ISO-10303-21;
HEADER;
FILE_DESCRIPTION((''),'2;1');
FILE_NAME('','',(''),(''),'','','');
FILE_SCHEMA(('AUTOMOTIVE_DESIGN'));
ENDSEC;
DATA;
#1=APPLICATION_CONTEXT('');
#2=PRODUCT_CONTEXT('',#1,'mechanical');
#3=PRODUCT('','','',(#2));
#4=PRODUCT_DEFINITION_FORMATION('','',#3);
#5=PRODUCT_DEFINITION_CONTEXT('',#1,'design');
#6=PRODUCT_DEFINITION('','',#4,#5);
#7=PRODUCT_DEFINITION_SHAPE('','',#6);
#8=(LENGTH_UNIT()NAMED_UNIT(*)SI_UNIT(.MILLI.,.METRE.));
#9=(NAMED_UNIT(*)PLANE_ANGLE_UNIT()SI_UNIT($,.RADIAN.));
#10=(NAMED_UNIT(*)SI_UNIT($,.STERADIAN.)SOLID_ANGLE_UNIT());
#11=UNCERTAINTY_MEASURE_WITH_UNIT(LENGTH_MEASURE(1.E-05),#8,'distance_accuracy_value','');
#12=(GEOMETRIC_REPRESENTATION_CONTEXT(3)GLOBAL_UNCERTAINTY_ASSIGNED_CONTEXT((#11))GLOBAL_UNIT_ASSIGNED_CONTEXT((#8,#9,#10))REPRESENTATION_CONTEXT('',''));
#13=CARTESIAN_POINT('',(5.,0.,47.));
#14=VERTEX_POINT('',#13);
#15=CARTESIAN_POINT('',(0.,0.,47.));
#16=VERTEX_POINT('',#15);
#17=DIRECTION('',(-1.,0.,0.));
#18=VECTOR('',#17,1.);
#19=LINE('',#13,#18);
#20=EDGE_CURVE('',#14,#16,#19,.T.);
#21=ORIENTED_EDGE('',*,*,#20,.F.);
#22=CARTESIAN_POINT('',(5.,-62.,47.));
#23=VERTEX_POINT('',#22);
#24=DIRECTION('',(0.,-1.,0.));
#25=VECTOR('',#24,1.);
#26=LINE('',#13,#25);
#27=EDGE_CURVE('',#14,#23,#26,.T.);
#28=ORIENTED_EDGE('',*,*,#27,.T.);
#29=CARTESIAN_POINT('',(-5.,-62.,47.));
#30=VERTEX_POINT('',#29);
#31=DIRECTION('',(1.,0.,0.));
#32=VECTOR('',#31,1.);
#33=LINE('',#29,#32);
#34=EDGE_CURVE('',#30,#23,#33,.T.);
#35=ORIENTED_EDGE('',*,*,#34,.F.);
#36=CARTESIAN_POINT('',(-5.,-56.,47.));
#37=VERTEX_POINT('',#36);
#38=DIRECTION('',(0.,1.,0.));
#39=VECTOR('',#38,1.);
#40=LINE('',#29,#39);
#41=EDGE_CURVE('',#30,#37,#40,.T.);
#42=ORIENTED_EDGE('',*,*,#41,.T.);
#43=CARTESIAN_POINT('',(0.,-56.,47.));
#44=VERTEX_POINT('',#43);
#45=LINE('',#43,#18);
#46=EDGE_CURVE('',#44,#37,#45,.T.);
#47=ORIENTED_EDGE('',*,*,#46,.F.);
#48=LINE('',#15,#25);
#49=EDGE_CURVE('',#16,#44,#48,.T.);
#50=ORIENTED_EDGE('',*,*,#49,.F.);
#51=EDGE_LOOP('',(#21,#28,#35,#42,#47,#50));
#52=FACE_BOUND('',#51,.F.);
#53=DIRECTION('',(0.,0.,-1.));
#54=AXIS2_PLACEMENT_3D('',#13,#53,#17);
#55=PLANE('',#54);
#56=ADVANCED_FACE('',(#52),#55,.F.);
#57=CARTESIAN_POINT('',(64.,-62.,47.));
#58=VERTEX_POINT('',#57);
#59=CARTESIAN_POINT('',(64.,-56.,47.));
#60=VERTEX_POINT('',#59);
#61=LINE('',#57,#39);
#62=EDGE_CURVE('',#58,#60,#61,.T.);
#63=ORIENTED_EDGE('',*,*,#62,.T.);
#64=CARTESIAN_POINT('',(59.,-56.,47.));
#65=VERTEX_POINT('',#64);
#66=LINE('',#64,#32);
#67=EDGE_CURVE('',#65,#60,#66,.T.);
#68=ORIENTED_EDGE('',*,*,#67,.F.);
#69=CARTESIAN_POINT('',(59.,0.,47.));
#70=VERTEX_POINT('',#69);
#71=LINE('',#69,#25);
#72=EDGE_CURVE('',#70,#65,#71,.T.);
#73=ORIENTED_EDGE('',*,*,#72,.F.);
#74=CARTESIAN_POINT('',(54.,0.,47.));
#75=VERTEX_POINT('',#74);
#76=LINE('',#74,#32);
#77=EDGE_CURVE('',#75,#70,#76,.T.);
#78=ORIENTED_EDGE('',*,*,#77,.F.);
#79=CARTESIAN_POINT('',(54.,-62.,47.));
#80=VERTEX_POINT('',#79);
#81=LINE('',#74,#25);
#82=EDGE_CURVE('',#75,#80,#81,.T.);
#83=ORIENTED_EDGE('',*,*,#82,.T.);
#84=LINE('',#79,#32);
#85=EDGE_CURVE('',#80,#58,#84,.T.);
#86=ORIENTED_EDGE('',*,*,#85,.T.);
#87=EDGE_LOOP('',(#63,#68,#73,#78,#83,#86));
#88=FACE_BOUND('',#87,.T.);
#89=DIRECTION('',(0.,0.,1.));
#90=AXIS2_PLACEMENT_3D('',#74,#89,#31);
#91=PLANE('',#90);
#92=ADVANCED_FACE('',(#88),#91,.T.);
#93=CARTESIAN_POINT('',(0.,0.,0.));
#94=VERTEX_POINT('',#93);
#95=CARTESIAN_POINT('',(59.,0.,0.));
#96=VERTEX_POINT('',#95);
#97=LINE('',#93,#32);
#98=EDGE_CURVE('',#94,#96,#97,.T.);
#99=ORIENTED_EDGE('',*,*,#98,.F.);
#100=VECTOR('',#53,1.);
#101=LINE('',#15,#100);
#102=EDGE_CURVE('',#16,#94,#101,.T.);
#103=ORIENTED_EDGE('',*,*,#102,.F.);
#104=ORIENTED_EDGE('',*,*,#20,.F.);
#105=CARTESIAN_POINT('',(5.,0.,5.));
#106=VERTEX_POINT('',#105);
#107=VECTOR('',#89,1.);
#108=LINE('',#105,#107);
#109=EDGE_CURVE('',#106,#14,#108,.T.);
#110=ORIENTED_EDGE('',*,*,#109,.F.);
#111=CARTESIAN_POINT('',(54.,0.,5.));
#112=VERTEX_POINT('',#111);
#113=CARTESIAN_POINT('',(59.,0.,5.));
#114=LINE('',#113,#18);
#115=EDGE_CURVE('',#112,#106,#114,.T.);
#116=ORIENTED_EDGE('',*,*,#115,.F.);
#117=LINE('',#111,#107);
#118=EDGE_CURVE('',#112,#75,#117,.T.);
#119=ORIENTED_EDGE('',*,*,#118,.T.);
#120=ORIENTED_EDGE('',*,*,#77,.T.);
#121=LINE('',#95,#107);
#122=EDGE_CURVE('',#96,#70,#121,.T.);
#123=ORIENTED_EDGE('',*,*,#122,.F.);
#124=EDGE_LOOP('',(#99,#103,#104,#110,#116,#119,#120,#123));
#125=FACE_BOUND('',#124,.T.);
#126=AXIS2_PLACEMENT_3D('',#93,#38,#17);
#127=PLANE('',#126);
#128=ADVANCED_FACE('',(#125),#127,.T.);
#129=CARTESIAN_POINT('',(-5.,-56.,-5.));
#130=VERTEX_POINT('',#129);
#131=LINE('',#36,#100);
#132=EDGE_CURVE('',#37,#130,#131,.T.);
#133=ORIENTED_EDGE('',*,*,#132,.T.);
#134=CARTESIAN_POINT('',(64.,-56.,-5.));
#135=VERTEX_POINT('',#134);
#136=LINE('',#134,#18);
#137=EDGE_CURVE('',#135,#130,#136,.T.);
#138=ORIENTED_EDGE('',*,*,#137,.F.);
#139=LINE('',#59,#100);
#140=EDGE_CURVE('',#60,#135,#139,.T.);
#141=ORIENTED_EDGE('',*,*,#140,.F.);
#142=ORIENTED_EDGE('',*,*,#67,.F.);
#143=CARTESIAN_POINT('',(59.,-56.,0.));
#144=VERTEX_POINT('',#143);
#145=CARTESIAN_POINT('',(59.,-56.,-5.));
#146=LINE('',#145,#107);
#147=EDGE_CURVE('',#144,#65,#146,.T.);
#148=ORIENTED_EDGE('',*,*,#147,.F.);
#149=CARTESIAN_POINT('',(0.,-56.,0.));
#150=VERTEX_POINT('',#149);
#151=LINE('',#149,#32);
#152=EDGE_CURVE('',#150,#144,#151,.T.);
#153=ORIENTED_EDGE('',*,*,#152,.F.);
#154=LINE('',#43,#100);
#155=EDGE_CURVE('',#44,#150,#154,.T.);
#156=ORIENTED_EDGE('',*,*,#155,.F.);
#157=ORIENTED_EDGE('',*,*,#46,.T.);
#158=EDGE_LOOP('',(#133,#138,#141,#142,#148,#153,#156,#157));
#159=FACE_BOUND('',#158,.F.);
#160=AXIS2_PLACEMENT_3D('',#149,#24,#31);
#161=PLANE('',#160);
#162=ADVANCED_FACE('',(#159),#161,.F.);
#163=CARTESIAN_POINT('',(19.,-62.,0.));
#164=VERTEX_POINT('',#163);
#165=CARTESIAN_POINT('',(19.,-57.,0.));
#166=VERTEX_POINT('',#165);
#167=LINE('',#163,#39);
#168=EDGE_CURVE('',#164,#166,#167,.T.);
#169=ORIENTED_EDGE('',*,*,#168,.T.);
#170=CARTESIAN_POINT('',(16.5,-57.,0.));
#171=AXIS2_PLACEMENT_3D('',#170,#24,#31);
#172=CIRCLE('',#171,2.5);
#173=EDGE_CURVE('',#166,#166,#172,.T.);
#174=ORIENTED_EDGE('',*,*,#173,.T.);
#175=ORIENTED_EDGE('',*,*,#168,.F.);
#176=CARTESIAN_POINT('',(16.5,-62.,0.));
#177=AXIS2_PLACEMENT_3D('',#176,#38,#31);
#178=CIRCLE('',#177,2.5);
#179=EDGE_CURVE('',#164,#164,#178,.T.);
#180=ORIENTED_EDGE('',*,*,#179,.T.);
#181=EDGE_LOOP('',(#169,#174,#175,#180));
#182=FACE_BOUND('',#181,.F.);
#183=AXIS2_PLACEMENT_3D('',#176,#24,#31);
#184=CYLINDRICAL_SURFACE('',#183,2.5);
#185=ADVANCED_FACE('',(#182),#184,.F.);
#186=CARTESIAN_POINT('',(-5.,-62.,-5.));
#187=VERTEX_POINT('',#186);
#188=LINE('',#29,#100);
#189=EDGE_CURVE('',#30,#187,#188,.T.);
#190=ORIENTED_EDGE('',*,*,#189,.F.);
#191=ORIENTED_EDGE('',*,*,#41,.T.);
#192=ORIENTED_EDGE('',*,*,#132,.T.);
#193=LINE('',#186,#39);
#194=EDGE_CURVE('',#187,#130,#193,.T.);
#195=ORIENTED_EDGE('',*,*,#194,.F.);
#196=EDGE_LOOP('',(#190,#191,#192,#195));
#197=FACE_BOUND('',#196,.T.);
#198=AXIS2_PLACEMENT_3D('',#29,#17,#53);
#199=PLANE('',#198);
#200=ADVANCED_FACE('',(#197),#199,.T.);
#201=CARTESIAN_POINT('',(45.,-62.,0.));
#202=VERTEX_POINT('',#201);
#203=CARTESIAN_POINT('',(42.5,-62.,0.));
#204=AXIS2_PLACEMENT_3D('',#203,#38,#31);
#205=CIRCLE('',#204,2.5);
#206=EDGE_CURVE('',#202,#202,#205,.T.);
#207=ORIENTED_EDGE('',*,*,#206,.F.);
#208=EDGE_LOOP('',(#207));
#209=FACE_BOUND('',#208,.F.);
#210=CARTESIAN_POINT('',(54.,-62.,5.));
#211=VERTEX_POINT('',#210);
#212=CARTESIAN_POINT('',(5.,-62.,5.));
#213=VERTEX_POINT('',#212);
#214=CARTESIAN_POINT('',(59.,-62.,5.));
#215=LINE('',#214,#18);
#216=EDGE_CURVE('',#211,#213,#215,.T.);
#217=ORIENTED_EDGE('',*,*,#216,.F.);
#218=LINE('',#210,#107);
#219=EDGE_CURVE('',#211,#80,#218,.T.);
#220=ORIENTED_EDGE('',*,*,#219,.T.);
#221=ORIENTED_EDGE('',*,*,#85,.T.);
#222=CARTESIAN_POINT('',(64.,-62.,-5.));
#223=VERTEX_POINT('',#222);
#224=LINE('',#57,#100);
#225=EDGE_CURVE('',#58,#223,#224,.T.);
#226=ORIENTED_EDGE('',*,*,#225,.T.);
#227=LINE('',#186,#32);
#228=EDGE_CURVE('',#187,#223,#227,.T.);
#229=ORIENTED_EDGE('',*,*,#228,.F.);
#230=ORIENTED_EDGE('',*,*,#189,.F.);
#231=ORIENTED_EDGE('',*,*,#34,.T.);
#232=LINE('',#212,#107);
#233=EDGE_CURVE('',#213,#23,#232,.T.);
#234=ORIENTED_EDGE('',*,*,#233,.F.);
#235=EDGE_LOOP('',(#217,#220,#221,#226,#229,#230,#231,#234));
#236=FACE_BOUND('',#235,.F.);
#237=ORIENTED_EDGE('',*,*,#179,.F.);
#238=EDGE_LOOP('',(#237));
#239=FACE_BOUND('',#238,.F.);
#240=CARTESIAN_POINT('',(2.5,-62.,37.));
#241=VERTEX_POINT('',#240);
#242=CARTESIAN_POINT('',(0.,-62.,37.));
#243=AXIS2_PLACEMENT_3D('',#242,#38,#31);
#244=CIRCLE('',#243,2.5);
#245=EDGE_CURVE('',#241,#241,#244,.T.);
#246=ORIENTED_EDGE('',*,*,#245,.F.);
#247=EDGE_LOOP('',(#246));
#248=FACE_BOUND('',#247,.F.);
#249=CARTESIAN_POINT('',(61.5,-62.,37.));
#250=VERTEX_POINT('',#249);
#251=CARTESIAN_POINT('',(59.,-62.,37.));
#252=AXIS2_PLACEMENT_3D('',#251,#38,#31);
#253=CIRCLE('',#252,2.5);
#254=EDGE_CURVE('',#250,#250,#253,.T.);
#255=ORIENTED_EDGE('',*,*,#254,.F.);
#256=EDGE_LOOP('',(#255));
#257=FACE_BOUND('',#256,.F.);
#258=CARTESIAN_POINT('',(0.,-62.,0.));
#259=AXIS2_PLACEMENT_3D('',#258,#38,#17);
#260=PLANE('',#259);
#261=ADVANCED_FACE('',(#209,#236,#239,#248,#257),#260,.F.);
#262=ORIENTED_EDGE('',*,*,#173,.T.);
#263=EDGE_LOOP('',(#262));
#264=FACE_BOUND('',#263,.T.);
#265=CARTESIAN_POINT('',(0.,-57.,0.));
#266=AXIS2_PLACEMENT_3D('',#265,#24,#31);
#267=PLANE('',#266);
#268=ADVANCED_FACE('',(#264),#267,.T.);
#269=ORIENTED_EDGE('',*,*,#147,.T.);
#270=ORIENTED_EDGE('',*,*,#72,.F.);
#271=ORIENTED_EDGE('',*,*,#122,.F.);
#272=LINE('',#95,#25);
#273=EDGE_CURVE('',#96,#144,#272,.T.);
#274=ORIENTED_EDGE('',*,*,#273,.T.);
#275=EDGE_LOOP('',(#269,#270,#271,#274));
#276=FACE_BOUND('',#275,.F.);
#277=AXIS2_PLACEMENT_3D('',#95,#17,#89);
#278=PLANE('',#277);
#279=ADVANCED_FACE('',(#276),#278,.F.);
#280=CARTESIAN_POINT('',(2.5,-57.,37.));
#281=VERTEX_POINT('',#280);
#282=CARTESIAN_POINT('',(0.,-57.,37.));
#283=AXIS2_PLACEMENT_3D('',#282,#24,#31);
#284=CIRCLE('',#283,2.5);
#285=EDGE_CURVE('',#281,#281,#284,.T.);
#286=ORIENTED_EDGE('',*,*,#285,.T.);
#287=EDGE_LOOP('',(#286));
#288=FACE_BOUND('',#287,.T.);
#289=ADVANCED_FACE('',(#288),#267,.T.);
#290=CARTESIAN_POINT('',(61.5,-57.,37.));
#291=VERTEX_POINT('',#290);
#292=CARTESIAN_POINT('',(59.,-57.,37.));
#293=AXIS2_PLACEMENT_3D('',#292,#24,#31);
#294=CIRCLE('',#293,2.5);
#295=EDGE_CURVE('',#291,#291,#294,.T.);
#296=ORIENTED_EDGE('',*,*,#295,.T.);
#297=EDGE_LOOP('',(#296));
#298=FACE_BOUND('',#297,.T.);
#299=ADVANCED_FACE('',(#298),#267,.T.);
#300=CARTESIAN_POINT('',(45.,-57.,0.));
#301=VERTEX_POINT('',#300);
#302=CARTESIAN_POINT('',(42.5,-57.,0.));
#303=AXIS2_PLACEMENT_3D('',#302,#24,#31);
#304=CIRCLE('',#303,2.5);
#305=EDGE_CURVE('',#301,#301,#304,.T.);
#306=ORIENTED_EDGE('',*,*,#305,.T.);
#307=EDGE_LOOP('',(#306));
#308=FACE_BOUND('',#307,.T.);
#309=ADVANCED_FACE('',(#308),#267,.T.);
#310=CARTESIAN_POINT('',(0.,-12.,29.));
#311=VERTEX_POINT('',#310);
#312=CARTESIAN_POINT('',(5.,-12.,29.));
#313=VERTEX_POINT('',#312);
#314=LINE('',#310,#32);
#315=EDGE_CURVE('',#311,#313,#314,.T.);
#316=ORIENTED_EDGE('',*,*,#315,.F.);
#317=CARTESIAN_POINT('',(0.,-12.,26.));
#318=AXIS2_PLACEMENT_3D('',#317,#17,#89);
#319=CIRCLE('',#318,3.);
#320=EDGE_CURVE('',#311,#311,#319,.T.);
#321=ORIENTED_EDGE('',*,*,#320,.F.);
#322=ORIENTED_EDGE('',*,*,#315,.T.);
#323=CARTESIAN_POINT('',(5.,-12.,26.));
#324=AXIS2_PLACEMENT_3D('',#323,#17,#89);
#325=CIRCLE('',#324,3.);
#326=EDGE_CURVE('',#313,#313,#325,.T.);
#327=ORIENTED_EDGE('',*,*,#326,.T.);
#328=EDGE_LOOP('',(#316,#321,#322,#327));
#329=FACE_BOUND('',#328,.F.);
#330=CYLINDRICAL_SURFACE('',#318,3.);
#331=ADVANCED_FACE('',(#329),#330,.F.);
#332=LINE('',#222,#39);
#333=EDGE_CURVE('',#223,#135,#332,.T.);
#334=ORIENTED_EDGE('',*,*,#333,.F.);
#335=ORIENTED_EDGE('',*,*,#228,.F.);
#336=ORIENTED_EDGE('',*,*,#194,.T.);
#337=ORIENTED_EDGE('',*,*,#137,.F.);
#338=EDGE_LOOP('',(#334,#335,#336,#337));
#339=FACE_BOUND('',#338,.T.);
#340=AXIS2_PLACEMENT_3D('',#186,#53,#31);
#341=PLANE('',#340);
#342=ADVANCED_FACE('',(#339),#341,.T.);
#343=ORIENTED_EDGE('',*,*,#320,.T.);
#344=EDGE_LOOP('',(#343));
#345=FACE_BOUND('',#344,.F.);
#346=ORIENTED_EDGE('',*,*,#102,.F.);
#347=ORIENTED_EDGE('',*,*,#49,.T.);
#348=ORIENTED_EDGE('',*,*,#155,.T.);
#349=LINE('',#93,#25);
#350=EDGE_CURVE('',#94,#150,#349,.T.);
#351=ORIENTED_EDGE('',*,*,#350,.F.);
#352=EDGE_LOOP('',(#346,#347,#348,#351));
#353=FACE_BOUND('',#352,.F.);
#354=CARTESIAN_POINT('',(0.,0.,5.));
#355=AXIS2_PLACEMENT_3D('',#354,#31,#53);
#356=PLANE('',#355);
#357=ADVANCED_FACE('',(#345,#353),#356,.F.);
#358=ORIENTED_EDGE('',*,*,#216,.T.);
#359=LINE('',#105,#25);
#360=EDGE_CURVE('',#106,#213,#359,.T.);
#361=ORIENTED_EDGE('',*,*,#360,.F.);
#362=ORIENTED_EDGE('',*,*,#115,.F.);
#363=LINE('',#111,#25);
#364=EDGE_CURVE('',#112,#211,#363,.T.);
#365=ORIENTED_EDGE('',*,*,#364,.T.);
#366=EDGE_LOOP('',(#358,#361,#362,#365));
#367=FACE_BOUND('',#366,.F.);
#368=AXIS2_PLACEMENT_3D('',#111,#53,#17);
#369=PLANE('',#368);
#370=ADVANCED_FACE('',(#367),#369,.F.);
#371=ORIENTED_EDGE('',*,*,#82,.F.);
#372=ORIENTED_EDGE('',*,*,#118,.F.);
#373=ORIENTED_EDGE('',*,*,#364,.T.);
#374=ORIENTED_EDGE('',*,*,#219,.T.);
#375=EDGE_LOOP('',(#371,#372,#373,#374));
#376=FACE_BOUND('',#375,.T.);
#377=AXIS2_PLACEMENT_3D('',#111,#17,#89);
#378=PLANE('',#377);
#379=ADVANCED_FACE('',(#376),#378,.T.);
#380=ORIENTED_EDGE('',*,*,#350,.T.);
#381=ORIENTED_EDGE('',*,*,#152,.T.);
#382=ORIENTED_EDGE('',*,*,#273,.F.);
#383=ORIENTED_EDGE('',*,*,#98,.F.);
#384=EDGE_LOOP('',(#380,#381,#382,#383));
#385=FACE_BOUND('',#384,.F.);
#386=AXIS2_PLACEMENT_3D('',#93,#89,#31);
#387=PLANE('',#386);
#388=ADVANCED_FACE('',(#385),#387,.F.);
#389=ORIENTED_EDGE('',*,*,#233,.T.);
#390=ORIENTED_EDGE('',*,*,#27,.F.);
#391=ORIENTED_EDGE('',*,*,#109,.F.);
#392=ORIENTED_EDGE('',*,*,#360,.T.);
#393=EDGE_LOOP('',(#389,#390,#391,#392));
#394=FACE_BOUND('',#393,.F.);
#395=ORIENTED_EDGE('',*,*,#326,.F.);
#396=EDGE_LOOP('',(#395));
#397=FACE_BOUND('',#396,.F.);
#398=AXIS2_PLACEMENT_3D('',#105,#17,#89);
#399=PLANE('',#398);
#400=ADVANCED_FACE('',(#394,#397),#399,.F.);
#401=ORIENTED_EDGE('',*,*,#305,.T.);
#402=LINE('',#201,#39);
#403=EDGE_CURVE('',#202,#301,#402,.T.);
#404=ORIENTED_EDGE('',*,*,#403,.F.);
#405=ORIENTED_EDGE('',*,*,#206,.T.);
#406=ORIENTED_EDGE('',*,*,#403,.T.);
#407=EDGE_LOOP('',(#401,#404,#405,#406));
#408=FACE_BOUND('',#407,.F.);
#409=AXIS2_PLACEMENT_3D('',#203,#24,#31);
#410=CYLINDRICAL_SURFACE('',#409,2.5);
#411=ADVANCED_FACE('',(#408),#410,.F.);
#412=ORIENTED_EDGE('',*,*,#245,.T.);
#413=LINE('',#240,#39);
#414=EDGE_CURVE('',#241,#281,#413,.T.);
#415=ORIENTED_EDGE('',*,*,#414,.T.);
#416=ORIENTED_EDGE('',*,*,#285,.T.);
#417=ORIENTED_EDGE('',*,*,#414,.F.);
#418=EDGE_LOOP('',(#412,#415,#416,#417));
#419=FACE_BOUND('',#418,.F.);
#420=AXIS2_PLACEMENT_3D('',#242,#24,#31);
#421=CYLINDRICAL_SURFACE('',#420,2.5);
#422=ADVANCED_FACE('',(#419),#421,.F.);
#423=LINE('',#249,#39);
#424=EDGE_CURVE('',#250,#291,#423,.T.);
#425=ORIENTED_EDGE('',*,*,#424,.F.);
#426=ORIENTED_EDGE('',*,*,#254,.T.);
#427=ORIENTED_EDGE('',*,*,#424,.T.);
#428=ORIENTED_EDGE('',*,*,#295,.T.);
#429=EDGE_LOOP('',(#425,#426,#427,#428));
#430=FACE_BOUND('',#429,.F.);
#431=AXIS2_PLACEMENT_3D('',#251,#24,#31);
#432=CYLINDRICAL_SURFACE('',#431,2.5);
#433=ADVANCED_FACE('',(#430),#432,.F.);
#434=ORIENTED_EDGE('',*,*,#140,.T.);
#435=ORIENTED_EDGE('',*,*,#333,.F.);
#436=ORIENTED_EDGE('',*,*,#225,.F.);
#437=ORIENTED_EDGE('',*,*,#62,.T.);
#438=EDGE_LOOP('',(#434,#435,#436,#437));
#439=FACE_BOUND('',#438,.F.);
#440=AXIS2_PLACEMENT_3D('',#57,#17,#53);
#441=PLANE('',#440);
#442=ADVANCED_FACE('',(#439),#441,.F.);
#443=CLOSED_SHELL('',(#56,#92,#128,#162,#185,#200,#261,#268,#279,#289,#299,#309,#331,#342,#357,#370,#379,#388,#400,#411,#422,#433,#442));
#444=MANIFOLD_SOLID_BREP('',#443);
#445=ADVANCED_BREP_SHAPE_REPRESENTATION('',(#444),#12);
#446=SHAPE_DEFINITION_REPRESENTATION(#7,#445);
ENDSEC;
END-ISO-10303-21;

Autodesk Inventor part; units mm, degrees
ref_plane "YZ Plane" through (0, 0, 0) normal (1, 0, 0) x (0, 1, 0)
ref_plane "XZ Plane" through (0, 0, 0) normal (0, 1, 0) x (-1, 0, 0)
ref_plane "XY Plane" through (0, 0, 0) normal (0, 0, 1) x (1, 0, 0)
sketch "Sketch1" plane through (0, 0, 0) normal (0, 1, 0) x (-1, 0, 0)
  line L0 (0, 0) -> (-59, 0)
  line L1 (-59, 0) -> (-59, 5)
  line L2 (-59, 5) -> (0, 5)
  line L3 (0, 5) -> (0, 0)
  line L4 (0, 5) -> (-5, 5)
  line L5 (-5, 5) -> (-5, 47)
  line L6 (-5, 47) -> (0, 47)
  line L7 (0, 47) -> (0, 5)
  line L8 (-59, 5) -> (-54, 5)
  line L9 (-54, 5) -> (-54, 47)
  line L10 (-54, 47) -> (-59, 47)
  line L11 (-59, 47) -> (-59, 5)
  point P0 (-54, 5)
  dimension "d0" = 59
  dimension "d1" = 5
  dimension "d2" = 5
  dimension "d3" = 42
  dimension "d4" = 5
  dimension "d5" = 42
extrude "Extrusion1" add sketch "Sketch1" against normal blind 62
sketch "Sketch7" plane through (0, -62, 0) normal (0, -1, 0) x (1, 0, 0)
  line L0 (0, 47) -> (0, 0) projected
  line L1 (0, 47) -> (-5, 47)
  line L2 (-5, 47) -> (-5, -5)
  line L3 (-5, -5) -> (0, -5)
  line L4 (0, -5) -> (0, 47)
  line L5 (59, 47) -> (54, 47) projected
  line L6 (59, 47) -> (64, 47)
  line L7 (64, 47) -> (64, -5)
  line L8 (64, -5) -> (59, -5)
  line L9 (59, -5) -> (59, 47)
  line L10 (0, 0) -> (59, 0) projected
  line L11 (59, -5) -> (0, -5)
  line L12 (0, -5) -> (0, 0)
  line L13 (0, 0) -> (59, 0)
  line L14 (59, 0) -> (59, -5)
  dimension "d34" = 5
  dimension "d35" = 52
  dimension "d36" = 5
  dimension "d37" = 52
extrude "Extrusion7" add sketch "Sketch7" against normal blind 6
sketch "Sketch8" plane through (0, -62, 0) normal (0, -1, 0) x (1, 0, 0)
  line L0 (0, 0) -> (0, 47) projected
  line L1 (5, 47) -> (-5, 47) projected
  circle A0 centre (0, 37) radius 2.5
  line L2 (59, 47) -> (59, 0) projected
  line L3 (64, 47) -> (54, 47) projected
  circle A1 centre (59, 37) radius 2.5
  line L4 (59, 0) -> (0, 0) projected
  line L5 (-5, 47) -> (-5, -5) projected
  line L6 (64, -5) -> (64, 47) projected
  circle A2 centre (16.5, 0) radius 2.5
  circle A3 centre (42.5, 0) radius 2.5
  point P0 (29.5, 0)
  dimension "d40" = 10
  dimension "d41" = 5
  dimension "d42" = 10
  dimension "d43" = 5
  dimension "d44" = 34.5
  dimension "d47" = 5
  dimension "d48" = 5
  dimension "d56" = 13
  dimension "d57" = 13
extrude "Extrusion8" cut sketch "Sketch8" against normal blind 5
sketch "Sketch9" plane through (0, 0, 0) normal (-1, 0, 0) x (0, 0, 1)
  point P0 (0, 0)
sketch "Sketch10" plane through (0, 0, 0) normal (-1, 0, 0) x (0, 0, 1)
  line L0 (47, 0) -> (47, -56) projected
  line L1 (47, -62) -> (-5, -62) projected
  circle A0 centre (26, -12) radius 3
  point P0 (0, 0)
  dimension "d51" = 21
  dimension "d52" = 50
  dimension "d53" = 6
extrude "Extrusion9" cut sketch "Sketch10" against normal blind 5
equation "\"d4\" = d2"
equation "\"d5\" = d3"
equation "\"d42\" = d40"
equation "\"d43\" = d41"
equation "\"d47\" = d41"
equation "\"d48\" = d47"
equation "\"d57\" = d56"
properties part number "top cam mount v03"
